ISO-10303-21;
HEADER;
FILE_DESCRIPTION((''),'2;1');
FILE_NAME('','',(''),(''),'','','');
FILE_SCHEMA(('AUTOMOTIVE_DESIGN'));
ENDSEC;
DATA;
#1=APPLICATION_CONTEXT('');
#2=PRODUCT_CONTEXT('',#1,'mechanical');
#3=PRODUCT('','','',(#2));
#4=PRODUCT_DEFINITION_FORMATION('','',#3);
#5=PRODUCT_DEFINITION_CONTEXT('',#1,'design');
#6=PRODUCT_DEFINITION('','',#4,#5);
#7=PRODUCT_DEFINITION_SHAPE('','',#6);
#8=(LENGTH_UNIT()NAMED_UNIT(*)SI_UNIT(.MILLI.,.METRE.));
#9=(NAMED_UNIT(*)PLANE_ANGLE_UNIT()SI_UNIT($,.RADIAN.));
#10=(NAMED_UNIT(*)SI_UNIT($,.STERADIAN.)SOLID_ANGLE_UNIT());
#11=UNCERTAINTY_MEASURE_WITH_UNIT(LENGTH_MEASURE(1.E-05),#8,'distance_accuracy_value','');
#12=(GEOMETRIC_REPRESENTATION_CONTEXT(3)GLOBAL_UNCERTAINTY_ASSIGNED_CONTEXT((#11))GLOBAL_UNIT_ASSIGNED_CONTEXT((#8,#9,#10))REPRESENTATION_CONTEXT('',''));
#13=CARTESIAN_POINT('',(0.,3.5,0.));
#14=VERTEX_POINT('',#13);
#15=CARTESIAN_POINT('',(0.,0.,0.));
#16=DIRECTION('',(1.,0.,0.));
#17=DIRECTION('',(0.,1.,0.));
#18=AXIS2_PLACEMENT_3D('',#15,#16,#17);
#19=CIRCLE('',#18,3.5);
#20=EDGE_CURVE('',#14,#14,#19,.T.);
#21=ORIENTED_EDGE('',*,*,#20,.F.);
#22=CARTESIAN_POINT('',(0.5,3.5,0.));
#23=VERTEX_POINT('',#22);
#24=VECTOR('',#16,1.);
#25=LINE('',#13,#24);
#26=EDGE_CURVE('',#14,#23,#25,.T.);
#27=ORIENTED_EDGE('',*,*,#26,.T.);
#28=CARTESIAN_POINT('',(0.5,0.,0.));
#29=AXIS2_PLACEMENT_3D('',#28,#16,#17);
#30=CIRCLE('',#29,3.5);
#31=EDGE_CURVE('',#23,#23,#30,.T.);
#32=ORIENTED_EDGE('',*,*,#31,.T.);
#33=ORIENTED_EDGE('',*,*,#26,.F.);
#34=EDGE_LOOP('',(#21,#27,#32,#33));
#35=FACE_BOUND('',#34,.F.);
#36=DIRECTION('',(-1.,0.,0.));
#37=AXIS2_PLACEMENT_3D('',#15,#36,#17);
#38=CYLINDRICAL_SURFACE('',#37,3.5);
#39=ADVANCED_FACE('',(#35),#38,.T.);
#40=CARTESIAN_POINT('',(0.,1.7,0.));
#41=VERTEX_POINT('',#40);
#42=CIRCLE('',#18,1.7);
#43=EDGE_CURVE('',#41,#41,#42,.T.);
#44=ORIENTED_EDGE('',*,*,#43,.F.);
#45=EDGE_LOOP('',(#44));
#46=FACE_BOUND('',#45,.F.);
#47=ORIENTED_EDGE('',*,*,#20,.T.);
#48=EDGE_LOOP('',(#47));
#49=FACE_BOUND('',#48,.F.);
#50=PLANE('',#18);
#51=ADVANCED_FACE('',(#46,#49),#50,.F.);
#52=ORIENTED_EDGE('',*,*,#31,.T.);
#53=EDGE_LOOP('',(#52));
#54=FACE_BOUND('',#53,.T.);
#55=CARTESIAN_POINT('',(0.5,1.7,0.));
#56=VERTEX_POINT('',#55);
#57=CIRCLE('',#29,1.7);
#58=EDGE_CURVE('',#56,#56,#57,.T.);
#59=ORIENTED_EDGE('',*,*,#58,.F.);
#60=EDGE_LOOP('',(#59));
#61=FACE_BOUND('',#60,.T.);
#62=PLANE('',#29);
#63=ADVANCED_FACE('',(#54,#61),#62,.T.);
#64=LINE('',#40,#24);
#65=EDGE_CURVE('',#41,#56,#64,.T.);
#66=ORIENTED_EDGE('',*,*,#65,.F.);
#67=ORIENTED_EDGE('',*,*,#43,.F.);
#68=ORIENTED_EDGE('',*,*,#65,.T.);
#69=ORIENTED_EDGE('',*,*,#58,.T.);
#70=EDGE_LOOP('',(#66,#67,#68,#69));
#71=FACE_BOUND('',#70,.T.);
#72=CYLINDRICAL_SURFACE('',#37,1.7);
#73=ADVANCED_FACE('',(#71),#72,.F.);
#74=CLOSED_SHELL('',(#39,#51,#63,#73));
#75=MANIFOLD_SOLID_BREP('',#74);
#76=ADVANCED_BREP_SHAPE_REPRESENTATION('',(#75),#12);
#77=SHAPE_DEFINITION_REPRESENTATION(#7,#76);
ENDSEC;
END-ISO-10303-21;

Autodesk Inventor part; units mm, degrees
ref_plane "YZ Plane" through (0, 0, 0) normal (1, 0, 0) x (0, 1, 0)
ref_plane "XZ Plane" through (0, 0, 0) normal (0, 1, 0) x (-1, 0, 0)
sketch "Skizze" plane through (0, 0, 0) normal (1, 0, 0) x (0, 1, 0)
  circle A0 centre (0, 0) radius 3.5
  circle A1 centre (0, 0) radius 1.7
  dimension "d0" = 3.4
  dimension "d1" = 7
extrude "Körper" add sketch "Skizze" along normal blind 0.5
ref_plane "Work Plane1" through (0, 0, 0) normal (0, 0, 1) x (1, 0, 0)
equation "\"d0\" = SD1"
equation "\"d1\" = SD2"
equation "\"d2\" = SD"
equation "\"SD1\" = 3.4"
equation "\"SD2\" = 7"
equation "\"SD\" = 0.5"
equation "\"NND\" = 3"
properties part number "ISO 7091 - ST 3 - 100 HV" material "Stahl"
